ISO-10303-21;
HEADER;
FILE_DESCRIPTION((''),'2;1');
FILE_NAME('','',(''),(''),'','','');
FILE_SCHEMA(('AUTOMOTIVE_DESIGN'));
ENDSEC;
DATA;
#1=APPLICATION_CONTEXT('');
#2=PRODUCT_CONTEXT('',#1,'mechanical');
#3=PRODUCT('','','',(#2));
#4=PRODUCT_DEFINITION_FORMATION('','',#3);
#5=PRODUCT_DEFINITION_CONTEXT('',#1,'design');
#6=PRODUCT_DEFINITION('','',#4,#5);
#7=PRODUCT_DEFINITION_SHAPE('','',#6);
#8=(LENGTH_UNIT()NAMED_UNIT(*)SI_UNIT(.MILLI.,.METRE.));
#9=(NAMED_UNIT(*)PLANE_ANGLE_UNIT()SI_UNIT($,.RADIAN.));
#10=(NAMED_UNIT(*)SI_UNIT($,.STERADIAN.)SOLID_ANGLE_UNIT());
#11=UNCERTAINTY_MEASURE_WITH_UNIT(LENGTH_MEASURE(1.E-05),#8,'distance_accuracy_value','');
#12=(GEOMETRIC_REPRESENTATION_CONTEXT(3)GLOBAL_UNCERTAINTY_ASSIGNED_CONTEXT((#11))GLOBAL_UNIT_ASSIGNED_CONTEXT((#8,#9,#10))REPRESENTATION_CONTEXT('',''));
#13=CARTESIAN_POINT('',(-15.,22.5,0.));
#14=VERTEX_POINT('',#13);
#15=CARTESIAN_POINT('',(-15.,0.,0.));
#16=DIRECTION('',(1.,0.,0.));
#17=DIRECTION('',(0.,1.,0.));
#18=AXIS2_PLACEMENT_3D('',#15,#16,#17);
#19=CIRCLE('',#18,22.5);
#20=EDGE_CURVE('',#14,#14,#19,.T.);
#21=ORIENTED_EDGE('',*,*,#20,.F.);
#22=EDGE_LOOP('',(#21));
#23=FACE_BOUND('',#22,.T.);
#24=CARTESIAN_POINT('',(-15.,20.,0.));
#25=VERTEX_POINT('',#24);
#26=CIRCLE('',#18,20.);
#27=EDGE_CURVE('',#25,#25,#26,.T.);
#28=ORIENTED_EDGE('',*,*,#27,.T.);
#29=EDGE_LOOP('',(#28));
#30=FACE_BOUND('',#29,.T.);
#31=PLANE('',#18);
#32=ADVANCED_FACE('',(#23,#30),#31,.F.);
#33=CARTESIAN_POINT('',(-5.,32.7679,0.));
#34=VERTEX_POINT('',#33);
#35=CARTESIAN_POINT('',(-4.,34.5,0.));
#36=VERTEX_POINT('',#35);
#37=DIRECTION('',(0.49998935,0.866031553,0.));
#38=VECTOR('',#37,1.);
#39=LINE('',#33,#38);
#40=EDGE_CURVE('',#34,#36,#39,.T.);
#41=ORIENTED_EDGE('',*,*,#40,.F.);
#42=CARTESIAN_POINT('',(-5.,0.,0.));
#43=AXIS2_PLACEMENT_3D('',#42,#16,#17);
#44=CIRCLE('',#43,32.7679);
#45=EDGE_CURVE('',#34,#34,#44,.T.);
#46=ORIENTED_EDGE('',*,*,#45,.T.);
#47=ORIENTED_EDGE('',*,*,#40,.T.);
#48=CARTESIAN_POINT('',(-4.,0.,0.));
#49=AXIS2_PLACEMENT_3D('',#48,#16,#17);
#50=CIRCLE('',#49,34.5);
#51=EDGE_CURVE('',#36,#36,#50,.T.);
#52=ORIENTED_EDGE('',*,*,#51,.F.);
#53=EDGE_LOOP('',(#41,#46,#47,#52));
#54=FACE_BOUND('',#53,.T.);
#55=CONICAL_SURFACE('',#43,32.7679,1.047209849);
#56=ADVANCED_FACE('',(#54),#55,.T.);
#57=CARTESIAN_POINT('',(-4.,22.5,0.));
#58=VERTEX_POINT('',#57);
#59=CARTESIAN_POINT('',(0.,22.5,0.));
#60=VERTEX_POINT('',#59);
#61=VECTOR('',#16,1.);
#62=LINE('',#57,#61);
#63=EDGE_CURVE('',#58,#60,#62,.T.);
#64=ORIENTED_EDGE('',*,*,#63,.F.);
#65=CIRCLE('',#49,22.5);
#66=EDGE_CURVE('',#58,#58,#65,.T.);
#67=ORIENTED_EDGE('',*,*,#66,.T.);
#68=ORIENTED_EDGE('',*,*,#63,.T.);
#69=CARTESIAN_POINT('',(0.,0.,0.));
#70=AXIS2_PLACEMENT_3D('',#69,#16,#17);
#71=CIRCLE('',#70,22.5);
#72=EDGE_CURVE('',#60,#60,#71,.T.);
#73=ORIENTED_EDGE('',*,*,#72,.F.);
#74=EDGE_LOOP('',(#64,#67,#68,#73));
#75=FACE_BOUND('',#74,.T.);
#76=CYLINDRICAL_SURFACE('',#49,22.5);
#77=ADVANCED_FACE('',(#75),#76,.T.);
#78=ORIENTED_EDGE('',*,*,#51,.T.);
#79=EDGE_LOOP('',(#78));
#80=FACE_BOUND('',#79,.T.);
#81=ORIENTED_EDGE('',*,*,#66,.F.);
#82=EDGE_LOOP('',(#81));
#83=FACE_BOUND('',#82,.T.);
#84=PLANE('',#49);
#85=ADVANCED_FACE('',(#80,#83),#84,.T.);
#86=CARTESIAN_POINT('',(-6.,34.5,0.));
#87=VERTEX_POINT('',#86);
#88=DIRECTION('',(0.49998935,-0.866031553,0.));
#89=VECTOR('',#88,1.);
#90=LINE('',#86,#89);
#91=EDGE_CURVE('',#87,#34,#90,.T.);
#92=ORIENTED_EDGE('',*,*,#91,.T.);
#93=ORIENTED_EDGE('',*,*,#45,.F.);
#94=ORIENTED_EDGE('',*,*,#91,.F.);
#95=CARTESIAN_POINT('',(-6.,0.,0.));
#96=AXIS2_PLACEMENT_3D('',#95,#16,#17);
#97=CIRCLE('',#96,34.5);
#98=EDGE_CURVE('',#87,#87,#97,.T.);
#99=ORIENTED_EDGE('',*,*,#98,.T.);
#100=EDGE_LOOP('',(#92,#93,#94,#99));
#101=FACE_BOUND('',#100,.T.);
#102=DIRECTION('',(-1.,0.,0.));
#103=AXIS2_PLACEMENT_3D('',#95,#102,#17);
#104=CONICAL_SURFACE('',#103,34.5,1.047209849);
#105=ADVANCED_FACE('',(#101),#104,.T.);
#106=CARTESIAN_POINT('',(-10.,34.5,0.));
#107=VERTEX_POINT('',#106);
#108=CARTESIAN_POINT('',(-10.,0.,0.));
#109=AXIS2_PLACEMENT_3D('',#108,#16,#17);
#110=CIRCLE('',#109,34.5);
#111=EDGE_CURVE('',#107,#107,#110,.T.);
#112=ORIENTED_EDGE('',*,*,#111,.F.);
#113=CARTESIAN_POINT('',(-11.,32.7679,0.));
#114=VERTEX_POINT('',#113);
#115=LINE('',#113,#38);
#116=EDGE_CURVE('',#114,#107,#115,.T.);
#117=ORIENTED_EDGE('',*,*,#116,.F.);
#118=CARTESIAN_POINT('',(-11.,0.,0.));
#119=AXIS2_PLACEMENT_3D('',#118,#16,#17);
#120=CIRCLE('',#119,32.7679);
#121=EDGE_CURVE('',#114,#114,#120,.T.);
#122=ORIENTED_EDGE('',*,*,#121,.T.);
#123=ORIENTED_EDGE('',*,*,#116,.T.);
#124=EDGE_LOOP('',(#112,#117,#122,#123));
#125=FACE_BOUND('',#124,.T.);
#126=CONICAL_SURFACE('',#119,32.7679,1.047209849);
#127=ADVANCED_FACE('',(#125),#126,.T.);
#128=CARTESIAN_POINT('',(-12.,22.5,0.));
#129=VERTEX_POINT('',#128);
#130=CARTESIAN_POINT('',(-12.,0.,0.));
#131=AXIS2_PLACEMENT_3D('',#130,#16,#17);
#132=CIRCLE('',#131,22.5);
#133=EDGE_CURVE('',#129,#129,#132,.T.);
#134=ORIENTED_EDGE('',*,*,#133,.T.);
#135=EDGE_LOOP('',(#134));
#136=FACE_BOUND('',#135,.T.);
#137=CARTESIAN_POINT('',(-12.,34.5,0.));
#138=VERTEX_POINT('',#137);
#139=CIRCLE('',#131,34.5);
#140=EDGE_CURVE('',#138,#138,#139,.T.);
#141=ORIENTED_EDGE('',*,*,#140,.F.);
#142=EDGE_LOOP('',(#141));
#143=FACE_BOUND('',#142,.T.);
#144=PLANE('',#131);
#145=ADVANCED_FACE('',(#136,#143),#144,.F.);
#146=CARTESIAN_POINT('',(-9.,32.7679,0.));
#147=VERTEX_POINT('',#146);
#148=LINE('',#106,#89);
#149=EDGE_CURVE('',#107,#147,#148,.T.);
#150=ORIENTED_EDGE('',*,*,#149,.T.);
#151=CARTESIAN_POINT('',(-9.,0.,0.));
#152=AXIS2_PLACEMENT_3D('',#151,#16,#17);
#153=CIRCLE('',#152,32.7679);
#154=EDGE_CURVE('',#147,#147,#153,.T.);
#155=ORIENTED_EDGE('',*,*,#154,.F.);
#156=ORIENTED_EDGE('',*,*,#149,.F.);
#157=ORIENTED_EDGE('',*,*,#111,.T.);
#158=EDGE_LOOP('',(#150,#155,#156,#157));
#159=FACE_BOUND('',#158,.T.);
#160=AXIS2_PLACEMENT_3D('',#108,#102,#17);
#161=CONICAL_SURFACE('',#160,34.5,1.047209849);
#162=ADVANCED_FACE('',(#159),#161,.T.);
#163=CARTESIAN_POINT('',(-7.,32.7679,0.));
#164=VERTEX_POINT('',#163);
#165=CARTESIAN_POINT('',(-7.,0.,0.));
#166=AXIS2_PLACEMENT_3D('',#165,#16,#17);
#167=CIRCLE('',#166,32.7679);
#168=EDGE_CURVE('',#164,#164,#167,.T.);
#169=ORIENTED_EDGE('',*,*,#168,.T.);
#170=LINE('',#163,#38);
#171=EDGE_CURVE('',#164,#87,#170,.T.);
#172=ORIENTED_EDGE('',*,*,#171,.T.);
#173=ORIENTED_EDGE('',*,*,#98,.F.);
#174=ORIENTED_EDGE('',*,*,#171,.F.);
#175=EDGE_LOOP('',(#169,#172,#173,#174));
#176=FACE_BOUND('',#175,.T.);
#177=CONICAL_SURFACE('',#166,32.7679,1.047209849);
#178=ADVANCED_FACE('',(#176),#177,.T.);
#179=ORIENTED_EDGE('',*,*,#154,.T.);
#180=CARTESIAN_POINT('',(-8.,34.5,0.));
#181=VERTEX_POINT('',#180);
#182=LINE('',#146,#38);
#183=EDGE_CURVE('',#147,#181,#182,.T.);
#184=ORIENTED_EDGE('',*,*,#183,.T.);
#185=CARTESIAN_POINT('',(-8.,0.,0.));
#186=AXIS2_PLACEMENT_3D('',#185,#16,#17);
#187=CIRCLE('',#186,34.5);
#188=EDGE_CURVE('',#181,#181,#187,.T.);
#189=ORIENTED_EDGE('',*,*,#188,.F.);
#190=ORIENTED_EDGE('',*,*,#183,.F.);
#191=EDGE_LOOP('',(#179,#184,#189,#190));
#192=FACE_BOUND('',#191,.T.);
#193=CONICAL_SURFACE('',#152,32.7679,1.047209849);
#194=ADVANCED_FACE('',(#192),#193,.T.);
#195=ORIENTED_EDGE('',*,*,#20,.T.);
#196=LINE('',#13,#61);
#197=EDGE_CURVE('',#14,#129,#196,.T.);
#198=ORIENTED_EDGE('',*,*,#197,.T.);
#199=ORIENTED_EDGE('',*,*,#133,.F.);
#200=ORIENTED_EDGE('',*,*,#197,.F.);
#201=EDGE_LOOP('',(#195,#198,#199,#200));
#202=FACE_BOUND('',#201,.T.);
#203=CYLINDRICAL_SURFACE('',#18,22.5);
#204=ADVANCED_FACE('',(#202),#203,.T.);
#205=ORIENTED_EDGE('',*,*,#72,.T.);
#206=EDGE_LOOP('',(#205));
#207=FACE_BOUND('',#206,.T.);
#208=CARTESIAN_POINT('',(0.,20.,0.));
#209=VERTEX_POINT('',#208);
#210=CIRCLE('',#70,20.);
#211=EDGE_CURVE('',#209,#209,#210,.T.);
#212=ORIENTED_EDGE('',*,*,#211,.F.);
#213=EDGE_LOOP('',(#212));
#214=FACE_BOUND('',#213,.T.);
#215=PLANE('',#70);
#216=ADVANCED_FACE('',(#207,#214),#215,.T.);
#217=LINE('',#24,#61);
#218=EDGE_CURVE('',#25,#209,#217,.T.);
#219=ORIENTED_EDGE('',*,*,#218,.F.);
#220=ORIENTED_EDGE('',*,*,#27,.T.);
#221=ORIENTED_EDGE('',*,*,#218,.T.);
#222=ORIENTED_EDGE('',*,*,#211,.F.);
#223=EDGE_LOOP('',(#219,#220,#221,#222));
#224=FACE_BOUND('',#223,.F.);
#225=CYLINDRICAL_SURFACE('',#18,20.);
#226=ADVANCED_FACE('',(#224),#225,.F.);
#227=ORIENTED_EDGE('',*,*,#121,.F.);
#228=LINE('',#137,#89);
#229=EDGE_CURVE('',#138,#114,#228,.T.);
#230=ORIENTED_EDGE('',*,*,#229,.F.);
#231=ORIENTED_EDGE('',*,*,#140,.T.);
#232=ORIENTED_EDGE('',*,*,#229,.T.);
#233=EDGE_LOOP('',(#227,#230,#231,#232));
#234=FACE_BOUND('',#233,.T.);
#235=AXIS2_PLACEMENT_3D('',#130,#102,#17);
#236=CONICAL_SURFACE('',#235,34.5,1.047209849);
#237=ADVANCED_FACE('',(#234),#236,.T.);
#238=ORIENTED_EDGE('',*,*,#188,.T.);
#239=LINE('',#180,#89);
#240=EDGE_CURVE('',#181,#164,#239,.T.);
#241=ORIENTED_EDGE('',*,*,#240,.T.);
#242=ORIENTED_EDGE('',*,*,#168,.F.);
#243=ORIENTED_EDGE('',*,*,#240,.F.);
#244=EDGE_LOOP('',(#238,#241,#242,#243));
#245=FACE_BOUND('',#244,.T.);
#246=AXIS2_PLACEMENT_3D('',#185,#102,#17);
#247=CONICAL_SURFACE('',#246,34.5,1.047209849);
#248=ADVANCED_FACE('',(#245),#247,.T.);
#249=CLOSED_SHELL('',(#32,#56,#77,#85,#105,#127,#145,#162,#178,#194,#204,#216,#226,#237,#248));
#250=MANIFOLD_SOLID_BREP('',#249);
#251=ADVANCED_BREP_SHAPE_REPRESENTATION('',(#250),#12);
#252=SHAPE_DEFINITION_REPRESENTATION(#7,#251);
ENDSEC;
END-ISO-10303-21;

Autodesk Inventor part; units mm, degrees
ref_plane "YZ Plane" through (0, 0, 0) normal (1, 0, 0) x (0, 1, 0)
ref_plane "XZ Plane" through (0, 0, 0) normal (0, 1, 0) x (-1, 0, 0)
ref_plane "XY Plane" through (0, 0, 0) normal (0, 0, 1) x (1, 0, 0)
sketch "草图1" plane through (0, 0, 0) normal (0, 0, 1) x (1, 0, 0)
  line L0 (0, -33.9) -> (0, 45.9) construction
  line L1 (-18, 0) -> (3, 0) construction
  line L2 (0, 22.5) -> (0, -22.5)
  line L3 (0, -22.5) -> (-15, -22.5)
  line L4 (-15, -22.5) -> (-15, 22.5)
  line L5 (-15, 20) -> (0, 20)
  line L6 (0, 20) -> (0, -20)
  line L7 (0, -20) -> (-15, -20)
  line L8 (-15, -20) -> (-15, 20)
  line L9 (-12, 22.5) -> (-12, 34.5)
  line L10 (-12, 34.5) -> (-4, 34.5) construction
  line L11 (-4, 34.5) -> (-4, 22.5)
  line L12 (-12, 34.5) -> (-11, 32.7679)
  line L13 (-11, 32.7679) -> (-10, 34.5)
  line L14 (-10, 34.5) -> (-9, 32.7679)
  line L15 (-9, 32.7679) -> (-8, 34.5)
  line L16 (-8, 34.5) -> (-7, 32.7679)
  line L17 (-7, 32.7679) -> (-6, 34.5)
  line L18 (-6, 34.5) -> (-5, 32.7679)
  line L19 (-5, 32.7679) -> (-4, 34.5)
  line L20 (-15, 22.5) -> (-12, 22.5)
  line L21 (-4, 22.5) -> (0, 22.5)
  point P0 (0, 0)
  point P1 (-8, 34.5)
  dimension "d0" = 40
  dimension "d2" = 15
  dimension "d3" = 3
  dimension "d4" = 8
  dimension "d5" = 34.5
  dimension "d6" = 2
  dimension "d7" = 60
  dimension "d8" = 2
  dimension "d9" = 2
  dimension "d10" = 2
  dimension "d11" = 60
  dimension "d12" = 60
  dimension "d13" = 60
  dimension "d14" = 22.5
revolve "旋转1" add sketch "草图1" angle 360 about axis through (-10, 0, 0) along (1, 0, 0) contours L2 L5 L4 L20 L9 L12 L13 L14 L15 L16 L17 L18 L19 L11 L21
properties part number "挡油板2"
